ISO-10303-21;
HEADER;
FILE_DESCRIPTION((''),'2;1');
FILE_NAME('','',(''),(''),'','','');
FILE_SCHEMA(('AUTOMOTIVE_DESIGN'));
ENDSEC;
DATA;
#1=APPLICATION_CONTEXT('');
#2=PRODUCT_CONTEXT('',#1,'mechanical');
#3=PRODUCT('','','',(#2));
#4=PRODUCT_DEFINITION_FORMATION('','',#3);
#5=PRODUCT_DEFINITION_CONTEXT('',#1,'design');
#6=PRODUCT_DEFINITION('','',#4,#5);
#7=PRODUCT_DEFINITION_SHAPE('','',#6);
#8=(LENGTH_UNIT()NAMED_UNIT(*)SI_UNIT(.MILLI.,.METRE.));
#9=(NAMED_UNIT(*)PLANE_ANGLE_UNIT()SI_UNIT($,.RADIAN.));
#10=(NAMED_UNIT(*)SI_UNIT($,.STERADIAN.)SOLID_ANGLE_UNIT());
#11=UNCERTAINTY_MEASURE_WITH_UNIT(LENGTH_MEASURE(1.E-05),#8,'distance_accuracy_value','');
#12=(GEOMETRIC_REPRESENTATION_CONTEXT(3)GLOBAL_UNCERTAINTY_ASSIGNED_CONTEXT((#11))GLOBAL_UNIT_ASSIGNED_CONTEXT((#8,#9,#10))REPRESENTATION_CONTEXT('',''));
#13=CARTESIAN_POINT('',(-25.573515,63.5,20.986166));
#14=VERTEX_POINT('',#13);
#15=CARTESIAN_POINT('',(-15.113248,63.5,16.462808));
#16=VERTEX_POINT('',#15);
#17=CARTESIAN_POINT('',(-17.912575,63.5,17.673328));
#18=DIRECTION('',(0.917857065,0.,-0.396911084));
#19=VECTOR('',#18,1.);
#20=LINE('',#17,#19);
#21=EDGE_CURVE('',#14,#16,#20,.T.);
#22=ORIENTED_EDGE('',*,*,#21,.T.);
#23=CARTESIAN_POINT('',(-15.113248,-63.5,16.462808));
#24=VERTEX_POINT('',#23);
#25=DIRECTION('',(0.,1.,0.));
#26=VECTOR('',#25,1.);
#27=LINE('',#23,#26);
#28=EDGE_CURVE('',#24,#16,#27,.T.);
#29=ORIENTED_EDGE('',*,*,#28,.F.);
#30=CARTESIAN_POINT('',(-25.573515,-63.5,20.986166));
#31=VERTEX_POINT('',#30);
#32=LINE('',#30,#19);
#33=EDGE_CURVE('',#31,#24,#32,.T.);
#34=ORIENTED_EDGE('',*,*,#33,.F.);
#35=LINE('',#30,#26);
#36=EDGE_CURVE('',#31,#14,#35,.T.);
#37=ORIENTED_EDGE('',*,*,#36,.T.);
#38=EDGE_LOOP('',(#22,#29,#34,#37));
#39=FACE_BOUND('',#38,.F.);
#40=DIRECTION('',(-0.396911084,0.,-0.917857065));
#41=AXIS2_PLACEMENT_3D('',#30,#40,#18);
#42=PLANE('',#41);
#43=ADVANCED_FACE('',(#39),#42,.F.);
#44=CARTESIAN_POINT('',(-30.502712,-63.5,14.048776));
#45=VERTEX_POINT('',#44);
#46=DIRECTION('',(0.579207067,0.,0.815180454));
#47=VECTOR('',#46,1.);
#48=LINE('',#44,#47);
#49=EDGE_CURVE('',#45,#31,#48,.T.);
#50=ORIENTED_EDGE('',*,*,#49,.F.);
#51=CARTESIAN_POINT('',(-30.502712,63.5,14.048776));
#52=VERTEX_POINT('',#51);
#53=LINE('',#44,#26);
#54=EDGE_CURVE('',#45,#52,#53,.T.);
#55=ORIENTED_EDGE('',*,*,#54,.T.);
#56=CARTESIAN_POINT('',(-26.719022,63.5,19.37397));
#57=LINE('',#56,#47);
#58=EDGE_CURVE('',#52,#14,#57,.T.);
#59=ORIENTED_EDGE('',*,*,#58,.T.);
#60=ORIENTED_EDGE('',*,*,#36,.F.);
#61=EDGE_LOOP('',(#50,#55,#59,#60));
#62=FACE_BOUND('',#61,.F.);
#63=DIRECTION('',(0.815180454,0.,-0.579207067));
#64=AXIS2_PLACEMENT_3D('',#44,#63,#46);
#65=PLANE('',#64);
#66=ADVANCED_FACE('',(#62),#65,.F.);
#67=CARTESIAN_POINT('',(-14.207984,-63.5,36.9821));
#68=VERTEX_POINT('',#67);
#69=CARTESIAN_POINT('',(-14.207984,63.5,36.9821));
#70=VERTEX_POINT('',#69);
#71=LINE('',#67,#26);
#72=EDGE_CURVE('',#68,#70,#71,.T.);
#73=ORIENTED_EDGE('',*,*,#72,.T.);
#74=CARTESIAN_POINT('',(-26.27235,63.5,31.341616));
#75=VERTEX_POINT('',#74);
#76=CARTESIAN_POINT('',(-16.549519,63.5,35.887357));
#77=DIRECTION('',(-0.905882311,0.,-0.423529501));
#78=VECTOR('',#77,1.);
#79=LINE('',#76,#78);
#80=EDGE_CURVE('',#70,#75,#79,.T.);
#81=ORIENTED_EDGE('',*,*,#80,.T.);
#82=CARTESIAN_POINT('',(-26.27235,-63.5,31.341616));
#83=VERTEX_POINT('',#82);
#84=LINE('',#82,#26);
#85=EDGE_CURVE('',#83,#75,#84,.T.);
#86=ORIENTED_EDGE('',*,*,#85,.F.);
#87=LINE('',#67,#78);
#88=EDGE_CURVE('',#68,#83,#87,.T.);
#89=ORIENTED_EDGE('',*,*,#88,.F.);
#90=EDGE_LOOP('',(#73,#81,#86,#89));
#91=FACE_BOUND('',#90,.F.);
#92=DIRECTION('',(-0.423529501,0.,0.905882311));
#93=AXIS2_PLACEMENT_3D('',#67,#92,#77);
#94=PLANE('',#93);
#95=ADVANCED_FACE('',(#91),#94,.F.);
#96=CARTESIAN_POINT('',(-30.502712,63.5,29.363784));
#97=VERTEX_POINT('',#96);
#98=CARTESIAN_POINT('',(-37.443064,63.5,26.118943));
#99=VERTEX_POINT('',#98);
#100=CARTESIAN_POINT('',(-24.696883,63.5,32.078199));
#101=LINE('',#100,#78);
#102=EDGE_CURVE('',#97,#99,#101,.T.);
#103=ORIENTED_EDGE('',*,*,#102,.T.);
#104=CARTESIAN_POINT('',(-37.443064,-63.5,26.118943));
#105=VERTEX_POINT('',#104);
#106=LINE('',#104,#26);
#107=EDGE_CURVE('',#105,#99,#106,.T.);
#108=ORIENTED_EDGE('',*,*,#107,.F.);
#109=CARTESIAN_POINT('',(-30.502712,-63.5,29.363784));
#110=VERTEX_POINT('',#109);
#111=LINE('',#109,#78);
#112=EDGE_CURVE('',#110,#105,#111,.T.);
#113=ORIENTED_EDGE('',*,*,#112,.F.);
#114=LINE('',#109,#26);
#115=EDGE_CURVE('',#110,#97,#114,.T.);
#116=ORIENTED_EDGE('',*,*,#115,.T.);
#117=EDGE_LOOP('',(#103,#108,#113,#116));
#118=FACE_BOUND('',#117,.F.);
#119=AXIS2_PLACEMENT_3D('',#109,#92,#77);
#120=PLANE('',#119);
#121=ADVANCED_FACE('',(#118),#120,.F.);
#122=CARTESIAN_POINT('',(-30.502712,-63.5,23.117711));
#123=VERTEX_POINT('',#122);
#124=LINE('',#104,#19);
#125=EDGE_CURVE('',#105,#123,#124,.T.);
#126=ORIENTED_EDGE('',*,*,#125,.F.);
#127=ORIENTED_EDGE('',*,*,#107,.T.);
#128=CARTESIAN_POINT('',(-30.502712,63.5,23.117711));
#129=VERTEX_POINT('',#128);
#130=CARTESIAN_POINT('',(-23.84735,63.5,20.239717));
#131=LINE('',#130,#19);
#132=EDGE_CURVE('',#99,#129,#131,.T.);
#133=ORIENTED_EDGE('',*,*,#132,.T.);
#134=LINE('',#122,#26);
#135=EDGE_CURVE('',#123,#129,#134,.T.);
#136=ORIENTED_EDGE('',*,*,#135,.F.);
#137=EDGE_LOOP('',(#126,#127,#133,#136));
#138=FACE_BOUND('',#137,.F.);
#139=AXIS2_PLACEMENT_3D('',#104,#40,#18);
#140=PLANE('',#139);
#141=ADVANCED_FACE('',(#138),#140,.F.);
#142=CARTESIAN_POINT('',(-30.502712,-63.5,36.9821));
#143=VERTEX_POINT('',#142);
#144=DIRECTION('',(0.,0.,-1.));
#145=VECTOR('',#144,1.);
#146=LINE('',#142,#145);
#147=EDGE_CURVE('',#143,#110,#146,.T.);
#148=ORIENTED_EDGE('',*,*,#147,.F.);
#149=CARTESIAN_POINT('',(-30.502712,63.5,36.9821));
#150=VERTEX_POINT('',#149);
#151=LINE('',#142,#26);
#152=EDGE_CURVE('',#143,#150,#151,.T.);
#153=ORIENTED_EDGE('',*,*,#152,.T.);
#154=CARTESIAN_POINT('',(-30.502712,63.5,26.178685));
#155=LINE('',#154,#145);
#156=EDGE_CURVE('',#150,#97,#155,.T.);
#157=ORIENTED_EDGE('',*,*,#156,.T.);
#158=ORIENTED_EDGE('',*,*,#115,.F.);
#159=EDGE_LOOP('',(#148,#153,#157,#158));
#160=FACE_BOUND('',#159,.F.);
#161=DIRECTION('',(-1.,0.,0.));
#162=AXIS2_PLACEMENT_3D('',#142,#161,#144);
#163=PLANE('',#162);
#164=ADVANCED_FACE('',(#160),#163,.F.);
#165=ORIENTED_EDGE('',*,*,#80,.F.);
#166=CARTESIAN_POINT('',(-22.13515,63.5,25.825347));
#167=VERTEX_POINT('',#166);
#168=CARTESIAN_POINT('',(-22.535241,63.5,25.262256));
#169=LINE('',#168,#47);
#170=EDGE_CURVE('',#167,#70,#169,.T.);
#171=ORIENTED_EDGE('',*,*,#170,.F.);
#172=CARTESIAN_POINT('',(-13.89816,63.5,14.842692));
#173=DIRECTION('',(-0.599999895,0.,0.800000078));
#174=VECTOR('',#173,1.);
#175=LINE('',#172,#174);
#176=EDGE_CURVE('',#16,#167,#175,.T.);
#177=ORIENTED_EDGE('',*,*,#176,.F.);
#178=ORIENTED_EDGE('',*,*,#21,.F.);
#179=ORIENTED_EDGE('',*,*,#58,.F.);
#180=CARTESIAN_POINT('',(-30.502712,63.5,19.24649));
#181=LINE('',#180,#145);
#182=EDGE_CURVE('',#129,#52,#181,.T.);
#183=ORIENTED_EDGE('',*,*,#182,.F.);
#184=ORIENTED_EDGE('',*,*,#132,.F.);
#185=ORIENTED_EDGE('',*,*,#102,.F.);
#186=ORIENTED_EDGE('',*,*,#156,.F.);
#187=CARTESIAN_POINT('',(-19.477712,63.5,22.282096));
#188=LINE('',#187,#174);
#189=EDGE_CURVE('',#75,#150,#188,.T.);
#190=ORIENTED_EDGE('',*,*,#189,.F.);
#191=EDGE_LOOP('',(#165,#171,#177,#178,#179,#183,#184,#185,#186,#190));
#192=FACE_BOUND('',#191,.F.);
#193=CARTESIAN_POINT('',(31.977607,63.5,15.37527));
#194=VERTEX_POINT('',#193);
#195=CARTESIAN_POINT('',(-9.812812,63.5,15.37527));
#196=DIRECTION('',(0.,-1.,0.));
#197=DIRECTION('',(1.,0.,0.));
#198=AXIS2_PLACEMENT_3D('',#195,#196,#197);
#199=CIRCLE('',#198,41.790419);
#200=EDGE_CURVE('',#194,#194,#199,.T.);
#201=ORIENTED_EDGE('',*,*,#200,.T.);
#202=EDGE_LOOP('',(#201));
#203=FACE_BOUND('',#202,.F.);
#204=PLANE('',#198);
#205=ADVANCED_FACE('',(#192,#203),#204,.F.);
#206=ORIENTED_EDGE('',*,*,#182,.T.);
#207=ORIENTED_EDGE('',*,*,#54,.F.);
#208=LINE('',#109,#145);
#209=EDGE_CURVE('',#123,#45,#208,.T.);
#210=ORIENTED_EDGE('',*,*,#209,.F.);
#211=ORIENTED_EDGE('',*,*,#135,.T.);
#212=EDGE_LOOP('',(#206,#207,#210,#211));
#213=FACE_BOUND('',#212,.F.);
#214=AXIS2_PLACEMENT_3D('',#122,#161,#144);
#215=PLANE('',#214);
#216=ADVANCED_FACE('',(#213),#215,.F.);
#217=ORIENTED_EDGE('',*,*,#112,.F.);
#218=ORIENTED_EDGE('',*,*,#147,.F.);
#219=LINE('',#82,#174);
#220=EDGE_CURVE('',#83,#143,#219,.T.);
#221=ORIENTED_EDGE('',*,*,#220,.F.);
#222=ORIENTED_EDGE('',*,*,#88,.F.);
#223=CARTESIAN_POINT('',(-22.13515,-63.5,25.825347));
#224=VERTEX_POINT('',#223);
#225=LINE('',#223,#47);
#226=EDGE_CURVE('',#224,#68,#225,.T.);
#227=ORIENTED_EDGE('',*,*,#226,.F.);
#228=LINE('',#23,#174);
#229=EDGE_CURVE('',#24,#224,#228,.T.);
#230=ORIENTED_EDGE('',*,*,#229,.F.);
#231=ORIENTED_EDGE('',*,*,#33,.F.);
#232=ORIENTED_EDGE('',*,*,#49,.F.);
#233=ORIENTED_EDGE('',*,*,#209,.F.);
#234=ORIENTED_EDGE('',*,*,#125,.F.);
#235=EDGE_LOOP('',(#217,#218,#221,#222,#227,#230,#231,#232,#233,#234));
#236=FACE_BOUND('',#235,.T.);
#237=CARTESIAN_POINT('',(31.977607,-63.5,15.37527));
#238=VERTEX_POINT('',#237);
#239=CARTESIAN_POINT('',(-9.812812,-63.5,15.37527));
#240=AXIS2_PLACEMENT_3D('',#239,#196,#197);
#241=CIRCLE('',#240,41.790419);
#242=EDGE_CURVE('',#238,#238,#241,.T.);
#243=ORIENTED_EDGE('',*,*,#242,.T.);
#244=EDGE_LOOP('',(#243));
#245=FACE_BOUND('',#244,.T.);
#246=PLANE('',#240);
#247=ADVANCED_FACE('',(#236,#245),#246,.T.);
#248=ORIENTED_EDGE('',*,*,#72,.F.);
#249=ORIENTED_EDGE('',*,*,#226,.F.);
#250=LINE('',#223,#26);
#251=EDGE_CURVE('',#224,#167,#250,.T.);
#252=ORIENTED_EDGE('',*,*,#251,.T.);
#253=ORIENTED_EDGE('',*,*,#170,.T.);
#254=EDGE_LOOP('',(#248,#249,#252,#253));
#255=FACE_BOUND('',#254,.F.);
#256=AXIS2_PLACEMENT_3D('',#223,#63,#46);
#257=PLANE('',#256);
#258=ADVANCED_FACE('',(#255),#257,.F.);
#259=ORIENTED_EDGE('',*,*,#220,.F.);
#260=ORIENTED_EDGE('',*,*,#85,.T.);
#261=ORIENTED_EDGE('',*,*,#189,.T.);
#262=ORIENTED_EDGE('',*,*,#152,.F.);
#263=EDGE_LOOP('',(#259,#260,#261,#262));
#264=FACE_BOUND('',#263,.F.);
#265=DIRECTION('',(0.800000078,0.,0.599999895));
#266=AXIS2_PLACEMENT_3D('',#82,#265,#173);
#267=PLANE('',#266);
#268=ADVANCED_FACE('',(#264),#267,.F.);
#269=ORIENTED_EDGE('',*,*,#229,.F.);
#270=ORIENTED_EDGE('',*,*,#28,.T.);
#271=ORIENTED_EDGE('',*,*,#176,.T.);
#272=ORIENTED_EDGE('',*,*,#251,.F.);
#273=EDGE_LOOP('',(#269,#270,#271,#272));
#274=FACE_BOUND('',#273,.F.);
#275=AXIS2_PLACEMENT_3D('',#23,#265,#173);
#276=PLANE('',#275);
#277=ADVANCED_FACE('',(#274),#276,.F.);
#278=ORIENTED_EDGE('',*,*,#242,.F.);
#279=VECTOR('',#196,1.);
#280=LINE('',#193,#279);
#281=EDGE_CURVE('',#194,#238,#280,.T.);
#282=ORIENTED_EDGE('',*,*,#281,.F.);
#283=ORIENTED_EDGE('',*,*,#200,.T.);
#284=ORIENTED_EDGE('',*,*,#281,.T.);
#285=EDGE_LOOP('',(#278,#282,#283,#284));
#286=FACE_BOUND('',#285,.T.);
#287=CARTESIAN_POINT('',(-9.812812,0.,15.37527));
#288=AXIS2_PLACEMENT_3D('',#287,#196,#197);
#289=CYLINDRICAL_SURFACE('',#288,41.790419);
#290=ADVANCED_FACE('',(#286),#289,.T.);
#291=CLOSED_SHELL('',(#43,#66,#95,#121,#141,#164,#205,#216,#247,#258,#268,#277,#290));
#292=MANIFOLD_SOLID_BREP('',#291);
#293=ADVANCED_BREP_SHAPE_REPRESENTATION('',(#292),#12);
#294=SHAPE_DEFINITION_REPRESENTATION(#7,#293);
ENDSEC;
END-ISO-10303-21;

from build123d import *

# Parameters (mm, degrees)
F0_R     = 41.7904194507
F1_DEPTH = 63.5
F3_DEPTH = 127.001


with BuildPart() as f1:
    # F0 (on Front) → F1 (new body, symmetric)
    with BuildSketch(Plane.XZ):
        with Locations((-9.8128121016, 15.3752699469)):
            Circle(F0_R)
    extrude(amount=F1_DEPTH, both=True)

    # F2 (on face) → F3 (cut, through all)
    with BuildSketch(Plane.XZ.offset(63.5)):
        Polygon((-25.5735145776, 20.9861662898), (-15.1132475585, 16.4628084749), (-22.1351497328, 25.825347257), align=None)
        Polygon((-30.5027123541, 14.048775658), (-25.5735145776, 20.9861662898), (-30.5027123541, 23.1177108519), align=None)
        Polygon((-30.5027123541, 23.1177108519), (-25.5735145776, 20.9861662898), (-22.1351497328, 25.825347257), (-26.2723503194, 31.341616208), (-30.5027123541, 29.3637841009), align=None)
        Polygon((-26.2723503194, 31.341616208), (-22.1351497328, 25.825347257), (-14.2079843208, 36.982100457), align=None)
        Polygon((-37.4430641532, 26.1189434677), (-30.5027123541, 23.1177108519), (-30.5027123541, 29.3637841009), align=None)
        Polygon((-30.5027123541, 29.3637841009), (-26.2723503194, 31.341616208), (-30.5027123541, 36.982100457), align=None)
    extrude(amount=-F3_DEPTH, mode=Mode.SUBTRACT)


solid = f1.part
